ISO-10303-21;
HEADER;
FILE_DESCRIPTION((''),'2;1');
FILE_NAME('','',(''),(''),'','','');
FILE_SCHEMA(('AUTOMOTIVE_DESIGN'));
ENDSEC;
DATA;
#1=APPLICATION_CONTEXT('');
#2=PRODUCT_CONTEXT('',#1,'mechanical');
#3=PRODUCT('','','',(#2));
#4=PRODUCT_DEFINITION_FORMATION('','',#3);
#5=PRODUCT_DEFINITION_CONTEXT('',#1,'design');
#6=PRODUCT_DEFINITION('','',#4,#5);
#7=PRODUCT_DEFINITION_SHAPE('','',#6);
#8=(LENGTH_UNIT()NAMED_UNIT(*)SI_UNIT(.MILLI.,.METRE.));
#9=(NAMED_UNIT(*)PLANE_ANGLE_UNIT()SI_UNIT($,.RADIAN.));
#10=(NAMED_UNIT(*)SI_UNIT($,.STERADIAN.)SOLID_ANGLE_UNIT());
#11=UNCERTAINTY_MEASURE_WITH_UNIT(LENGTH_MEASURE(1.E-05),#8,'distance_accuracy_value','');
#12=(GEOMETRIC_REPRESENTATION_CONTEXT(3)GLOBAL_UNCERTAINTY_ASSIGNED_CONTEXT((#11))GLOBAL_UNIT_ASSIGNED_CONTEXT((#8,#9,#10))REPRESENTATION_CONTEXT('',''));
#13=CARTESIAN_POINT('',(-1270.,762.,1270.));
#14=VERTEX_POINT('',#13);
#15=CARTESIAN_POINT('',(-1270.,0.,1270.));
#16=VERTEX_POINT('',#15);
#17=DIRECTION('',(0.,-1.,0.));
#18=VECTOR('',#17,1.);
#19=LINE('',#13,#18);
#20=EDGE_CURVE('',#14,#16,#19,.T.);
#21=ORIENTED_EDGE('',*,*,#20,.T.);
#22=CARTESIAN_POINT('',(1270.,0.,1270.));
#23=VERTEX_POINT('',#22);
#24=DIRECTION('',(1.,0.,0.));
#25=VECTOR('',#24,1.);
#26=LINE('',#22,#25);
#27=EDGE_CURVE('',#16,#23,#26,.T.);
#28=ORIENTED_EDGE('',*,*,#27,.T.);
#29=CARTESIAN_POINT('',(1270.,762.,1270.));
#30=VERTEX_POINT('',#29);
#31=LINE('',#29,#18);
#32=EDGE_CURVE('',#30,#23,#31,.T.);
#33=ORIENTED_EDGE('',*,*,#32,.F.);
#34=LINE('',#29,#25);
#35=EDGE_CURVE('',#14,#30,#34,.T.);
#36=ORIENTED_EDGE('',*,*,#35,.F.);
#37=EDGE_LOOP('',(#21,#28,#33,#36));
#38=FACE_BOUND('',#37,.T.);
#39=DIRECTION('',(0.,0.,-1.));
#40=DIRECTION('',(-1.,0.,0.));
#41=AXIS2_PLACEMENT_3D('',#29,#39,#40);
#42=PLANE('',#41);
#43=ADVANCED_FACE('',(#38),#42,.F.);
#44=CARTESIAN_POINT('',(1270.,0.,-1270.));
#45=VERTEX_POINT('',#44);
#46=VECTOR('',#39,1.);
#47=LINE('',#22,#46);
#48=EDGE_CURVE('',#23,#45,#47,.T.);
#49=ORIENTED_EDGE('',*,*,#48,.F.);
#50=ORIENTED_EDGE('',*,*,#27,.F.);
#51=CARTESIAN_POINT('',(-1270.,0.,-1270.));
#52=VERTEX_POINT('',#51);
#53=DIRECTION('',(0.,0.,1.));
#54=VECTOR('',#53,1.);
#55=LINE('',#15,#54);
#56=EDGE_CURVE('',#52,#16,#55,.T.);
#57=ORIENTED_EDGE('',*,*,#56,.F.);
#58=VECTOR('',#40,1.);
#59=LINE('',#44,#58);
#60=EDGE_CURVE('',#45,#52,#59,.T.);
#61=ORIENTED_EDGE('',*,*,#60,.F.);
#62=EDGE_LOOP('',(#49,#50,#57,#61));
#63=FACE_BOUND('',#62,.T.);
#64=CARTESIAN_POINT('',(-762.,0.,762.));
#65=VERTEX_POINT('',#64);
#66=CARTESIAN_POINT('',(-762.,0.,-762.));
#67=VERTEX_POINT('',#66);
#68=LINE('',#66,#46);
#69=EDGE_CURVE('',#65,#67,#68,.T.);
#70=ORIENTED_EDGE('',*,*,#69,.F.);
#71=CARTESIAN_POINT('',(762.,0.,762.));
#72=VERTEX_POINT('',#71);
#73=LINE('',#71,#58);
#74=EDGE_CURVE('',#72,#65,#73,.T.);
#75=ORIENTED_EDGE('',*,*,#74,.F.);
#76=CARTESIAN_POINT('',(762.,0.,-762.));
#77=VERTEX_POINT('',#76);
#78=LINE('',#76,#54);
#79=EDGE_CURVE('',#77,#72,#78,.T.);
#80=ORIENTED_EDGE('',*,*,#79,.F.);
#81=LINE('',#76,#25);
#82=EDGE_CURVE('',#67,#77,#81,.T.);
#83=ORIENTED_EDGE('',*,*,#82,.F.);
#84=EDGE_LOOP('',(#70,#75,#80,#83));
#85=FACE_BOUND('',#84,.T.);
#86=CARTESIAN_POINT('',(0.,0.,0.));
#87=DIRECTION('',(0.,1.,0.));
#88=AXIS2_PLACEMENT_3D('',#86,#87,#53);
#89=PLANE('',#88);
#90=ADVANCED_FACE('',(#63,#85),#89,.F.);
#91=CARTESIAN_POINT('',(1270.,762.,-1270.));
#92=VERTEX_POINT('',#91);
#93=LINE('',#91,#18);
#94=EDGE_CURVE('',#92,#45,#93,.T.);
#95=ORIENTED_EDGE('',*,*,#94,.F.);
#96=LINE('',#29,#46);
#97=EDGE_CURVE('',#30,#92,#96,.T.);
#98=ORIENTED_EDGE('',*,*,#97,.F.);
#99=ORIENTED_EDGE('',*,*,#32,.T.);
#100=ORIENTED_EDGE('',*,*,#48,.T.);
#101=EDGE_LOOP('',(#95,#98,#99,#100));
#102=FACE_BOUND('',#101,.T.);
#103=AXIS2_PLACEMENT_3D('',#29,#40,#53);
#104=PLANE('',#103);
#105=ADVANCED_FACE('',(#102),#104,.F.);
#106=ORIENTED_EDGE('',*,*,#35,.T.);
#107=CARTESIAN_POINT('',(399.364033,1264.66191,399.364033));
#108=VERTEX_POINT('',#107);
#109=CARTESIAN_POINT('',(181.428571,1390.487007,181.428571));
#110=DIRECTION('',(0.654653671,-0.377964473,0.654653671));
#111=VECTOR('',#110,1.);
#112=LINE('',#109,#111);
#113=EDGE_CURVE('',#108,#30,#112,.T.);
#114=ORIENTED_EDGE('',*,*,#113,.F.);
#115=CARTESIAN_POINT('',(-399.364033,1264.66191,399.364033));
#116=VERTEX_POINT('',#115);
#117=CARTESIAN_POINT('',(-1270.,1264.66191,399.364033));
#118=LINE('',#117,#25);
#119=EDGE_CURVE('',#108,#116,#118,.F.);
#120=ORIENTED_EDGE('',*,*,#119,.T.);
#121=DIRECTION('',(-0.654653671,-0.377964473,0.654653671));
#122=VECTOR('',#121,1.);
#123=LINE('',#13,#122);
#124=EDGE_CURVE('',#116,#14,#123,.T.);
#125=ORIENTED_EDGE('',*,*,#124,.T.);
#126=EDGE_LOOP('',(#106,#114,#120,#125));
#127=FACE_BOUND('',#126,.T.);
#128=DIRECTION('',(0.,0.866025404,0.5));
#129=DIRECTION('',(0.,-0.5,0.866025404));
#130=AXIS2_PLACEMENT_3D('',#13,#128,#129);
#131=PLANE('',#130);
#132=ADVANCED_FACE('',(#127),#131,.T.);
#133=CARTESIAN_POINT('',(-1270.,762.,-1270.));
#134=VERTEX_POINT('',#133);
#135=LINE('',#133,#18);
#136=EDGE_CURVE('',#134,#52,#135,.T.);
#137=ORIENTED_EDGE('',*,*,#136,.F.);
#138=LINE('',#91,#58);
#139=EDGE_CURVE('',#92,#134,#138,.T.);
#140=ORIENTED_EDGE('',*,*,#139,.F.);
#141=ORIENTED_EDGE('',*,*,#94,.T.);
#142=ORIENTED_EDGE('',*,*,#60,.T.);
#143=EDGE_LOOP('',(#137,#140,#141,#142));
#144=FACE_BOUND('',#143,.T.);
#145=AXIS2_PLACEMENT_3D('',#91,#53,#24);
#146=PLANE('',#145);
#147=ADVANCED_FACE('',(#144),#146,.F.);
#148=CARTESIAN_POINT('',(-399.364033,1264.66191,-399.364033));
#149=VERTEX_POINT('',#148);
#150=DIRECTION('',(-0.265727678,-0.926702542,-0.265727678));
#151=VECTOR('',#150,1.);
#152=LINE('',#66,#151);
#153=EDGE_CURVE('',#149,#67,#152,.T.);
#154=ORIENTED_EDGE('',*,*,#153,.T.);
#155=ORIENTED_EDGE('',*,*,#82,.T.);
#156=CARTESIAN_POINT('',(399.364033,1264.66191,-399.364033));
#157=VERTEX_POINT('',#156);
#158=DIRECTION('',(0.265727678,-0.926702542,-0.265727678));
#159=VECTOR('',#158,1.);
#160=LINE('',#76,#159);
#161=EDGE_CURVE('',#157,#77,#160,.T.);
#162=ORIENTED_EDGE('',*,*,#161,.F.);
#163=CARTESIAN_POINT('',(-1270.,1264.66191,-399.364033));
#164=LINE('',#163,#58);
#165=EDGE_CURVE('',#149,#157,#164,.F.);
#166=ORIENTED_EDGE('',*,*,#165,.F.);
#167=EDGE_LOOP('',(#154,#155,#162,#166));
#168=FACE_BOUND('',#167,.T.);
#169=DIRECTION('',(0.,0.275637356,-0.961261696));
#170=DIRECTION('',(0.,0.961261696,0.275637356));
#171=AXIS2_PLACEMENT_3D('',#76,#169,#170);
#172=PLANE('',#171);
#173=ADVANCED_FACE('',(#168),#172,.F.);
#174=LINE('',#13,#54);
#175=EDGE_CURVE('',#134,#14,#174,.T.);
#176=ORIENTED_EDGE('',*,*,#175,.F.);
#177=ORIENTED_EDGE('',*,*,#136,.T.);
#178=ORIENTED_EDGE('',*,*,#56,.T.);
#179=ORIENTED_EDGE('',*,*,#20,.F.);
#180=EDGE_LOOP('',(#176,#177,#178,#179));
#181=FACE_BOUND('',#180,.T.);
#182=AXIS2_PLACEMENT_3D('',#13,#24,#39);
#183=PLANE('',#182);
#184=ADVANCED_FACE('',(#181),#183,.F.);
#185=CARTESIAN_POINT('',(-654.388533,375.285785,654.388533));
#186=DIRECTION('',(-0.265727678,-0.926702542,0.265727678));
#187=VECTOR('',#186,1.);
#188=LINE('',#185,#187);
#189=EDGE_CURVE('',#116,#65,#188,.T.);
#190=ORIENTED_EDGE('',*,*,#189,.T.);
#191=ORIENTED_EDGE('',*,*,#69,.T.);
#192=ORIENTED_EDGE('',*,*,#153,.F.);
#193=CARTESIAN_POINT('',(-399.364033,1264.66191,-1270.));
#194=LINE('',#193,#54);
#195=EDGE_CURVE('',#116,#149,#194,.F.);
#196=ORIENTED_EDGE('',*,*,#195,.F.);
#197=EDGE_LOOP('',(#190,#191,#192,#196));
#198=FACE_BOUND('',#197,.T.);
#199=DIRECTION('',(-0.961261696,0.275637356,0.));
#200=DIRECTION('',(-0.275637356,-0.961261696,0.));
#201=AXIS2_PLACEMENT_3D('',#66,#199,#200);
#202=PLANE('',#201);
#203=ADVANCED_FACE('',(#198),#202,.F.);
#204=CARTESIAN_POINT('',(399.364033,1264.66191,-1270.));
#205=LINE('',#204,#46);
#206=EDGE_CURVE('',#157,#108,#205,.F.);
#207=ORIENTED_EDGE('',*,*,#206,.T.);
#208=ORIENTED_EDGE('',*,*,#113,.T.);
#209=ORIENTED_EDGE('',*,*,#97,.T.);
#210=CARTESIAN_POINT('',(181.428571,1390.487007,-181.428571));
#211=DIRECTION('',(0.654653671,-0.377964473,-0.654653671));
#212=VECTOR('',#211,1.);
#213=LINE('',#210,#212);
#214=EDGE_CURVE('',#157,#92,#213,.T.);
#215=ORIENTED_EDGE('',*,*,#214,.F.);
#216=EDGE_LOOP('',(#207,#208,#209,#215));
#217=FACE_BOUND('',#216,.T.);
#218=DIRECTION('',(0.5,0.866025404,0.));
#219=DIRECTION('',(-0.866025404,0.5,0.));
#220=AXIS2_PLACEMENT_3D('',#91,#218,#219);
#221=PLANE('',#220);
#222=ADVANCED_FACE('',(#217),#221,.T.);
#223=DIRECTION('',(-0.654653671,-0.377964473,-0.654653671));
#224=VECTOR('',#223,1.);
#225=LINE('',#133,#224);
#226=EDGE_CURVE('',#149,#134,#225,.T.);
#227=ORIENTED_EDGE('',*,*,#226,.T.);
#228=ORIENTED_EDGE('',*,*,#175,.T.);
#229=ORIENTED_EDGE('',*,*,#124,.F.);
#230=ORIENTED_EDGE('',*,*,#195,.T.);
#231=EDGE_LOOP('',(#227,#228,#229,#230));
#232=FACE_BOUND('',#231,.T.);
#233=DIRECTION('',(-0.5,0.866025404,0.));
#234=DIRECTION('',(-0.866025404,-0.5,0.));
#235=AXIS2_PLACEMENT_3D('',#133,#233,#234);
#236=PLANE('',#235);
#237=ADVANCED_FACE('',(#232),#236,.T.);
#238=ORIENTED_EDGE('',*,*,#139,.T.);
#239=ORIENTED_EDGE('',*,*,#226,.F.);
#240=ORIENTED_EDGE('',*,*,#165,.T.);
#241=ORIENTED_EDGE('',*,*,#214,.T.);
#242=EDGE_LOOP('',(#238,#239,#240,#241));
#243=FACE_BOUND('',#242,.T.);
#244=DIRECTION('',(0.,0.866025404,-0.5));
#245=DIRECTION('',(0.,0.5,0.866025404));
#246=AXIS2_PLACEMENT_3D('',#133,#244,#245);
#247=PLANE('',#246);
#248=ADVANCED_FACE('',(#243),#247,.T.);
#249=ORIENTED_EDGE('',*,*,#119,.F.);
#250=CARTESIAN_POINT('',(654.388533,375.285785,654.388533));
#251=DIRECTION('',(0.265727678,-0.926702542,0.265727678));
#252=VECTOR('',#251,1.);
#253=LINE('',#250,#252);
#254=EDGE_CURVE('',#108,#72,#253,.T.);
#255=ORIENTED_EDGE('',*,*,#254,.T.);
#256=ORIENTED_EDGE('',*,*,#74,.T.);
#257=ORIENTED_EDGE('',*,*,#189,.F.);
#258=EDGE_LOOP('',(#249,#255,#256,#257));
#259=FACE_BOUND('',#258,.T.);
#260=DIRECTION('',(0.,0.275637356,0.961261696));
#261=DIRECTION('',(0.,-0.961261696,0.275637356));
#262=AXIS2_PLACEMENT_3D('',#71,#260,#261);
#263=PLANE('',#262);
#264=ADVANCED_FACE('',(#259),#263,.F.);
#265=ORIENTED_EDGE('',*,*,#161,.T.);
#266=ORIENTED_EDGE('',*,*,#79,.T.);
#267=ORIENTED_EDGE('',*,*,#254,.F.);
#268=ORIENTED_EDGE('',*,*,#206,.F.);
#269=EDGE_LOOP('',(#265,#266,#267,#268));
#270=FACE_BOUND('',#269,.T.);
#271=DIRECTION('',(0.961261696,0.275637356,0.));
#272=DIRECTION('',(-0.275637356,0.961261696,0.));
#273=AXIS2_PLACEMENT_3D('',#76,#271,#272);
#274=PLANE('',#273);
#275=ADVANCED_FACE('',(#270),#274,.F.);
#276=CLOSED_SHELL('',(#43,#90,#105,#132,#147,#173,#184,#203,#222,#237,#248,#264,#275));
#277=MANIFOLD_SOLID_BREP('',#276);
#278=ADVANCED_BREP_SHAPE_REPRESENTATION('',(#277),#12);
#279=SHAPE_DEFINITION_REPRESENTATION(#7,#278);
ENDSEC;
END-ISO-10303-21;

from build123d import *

# Parameters (mm, degrees)
SKETCH1_W           = 2540
SKETCH1_H           = 2540
BOSS_EXTRUDE1_DEPTH = 762
SKETCH2_W           = 762
SKETCH2_H           = 762
BOSS_EXTRUDE2_DEPTH = 508
SKETCH4_W           = 2540
SKETCH4_H           = 2540
BOSS_EXTRUDE3_DEPTH = 508
BOSS_EXTRUDE3_TAPER = 60
SKETCH5_W           = 1524
SKETCH5_H           = 1524
CUT_EXTRUDE1_DEPTH  = 1270
CUT_EXTRUDE1_DRAFT  = -16


with BuildPart() as part:
    # Sketch1 → Boss-Extrude1 (new body)
    with BuildSketch(Plane(origin=(0, 0, 0), x_dir=(1, 0, 0), z_dir=(0, 1, 0))):
        Rectangle(SKETCH1_W, SKETCH1_H)
    extrude(amount=BOSS_EXTRUDE1_DEPTH)

    # Sketch2 → Boss-Extrude2 (add)
    with BuildSketch(Plane(origin=(0, 762, 0), x_dir=(1, 0, 0), z_dir=(0, 1, 0))):
        Rectangle(SKETCH2_W, SKETCH2_H)
    extrude(amount=BOSS_EXTRUDE2_DEPTH)

    # Sketch4 → Boss-Extrude3 (add)
    with BuildSketch(Plane(origin=(0, 762, 0), x_dir=(1, 0, 0), z_dir=(0, 1, 0))):
        Rectangle(SKETCH4_W, SKETCH4_H)
    extrude(amount=BOSS_EXTRUDE3_DEPTH, taper=BOSS_EXTRUDE3_TAPER)


with BuildPart() as cut_extrude1_tool:
    # Sketch5 → Cut-Extrude1 (with draft: the straight prism first)
    with BuildSketch(Plane.XZ):
        Rectangle(SKETCH5_W, SKETCH5_H)
    extrude(amount=-CUT_EXTRUDE1_DEPTH)
    # Cut-Extrude1: the draft: its side faces are tilted about the plane it starts from
    cut_extrude1_sides = [cut_extrude1_tool.faces().sort_by_distance(p)[0] for p in [
        (762, 635, 0),
        (0, 635, 762),
        (-762, 635, 0),
        (0, 635, -762),
    ]]
    draft(cut_extrude1_sides, Plane.XZ, CUT_EXTRUDE1_DRAFT)


with BuildPart() as part_1:
    add(part.part)

    # Cut-Extrude1: cut by cut_extrude1_tool
    add(cut_extrude1_tool.part, mode=Mode.SUBTRACT)


solid = part_1.part
